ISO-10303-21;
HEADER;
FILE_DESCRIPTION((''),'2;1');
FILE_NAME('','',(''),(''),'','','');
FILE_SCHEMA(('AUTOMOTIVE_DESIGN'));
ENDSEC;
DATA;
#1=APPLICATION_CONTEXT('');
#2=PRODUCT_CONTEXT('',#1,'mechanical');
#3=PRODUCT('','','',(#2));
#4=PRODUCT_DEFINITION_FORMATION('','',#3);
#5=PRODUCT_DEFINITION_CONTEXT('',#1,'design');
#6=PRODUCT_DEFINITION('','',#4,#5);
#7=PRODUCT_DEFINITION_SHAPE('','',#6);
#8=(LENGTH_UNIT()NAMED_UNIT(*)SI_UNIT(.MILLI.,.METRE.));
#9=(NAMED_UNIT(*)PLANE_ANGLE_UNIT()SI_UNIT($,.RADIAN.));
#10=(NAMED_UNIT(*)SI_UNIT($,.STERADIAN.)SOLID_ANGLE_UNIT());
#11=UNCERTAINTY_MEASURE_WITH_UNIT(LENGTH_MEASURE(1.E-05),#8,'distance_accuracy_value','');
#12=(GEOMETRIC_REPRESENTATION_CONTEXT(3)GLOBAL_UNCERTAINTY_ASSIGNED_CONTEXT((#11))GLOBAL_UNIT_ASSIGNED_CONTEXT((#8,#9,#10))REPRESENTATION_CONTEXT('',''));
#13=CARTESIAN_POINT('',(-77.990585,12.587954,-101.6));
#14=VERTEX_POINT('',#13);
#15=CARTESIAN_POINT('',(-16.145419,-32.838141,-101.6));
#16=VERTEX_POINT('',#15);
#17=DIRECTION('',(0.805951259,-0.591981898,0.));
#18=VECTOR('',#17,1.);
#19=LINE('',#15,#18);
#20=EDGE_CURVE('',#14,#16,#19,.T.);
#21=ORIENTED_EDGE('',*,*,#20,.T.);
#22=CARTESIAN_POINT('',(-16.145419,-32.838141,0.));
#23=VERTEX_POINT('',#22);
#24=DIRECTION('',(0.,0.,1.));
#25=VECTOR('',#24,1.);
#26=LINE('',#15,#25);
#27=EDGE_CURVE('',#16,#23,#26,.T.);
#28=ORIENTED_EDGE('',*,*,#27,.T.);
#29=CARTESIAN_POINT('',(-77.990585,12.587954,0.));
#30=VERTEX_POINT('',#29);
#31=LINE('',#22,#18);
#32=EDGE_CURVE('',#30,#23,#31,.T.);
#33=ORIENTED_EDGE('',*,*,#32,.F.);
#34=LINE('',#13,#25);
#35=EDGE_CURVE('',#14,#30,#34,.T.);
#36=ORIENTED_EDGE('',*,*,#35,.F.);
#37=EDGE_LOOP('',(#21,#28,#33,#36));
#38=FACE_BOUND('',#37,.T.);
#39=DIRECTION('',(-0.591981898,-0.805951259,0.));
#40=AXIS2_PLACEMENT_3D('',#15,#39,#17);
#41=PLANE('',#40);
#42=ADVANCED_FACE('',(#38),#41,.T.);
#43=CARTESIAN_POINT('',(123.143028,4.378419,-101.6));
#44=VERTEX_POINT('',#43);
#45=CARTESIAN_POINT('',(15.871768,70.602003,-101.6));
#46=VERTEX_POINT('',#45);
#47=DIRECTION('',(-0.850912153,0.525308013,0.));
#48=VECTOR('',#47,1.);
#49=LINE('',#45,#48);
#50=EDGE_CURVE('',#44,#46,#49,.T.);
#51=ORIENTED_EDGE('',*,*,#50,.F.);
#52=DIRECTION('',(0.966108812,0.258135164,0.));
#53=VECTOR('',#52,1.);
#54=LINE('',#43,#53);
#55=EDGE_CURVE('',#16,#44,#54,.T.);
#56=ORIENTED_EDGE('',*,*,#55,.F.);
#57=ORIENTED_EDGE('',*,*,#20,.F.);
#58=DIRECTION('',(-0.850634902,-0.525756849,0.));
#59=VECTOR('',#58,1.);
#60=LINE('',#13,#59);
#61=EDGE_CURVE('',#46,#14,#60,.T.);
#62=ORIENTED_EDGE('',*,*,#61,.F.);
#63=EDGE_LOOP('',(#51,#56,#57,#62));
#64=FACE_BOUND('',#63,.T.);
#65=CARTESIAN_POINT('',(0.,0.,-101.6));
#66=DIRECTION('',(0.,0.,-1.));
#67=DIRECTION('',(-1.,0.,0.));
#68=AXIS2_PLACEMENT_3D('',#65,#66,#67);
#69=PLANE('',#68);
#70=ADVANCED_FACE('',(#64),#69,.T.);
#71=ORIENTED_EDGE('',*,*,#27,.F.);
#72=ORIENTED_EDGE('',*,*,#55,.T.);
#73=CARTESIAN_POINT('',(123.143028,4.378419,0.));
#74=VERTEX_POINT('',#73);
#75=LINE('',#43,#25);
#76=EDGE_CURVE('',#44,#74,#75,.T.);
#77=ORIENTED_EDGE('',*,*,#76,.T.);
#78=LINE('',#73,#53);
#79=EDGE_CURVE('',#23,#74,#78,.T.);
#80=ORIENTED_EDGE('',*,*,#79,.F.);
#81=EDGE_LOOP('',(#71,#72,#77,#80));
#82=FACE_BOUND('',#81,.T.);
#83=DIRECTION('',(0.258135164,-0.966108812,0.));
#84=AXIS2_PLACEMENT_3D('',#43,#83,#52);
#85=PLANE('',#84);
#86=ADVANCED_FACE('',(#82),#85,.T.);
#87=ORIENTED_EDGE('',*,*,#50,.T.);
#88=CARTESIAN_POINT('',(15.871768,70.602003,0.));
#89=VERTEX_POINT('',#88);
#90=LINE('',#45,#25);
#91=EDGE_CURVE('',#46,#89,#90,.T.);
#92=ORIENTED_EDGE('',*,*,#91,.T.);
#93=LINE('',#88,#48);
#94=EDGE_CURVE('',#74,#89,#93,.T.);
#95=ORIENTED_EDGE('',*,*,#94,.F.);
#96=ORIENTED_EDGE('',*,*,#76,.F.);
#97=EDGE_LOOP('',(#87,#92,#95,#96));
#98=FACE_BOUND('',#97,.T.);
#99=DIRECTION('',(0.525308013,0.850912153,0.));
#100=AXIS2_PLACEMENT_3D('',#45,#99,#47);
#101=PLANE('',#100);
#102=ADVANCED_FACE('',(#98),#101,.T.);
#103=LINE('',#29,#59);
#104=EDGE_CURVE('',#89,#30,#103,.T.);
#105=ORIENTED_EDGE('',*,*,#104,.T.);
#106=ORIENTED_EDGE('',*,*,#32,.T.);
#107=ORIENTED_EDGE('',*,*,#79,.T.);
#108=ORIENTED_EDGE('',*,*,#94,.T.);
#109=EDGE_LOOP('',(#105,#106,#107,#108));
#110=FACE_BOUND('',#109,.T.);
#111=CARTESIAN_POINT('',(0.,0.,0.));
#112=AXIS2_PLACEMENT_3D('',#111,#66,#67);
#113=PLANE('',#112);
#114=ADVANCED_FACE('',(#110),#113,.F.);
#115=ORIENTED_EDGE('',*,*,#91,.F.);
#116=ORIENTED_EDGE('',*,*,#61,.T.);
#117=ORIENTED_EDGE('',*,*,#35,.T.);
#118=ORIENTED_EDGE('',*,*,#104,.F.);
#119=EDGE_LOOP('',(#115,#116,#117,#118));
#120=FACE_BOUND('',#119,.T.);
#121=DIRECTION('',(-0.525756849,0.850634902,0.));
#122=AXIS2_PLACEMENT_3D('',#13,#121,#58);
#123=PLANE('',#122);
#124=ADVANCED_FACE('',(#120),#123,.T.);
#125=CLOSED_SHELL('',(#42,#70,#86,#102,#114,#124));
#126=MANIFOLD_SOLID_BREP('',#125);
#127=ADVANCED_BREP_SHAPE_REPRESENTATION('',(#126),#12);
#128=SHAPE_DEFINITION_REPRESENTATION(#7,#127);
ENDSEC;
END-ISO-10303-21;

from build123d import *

# Parameters (mm, degrees)
BOSS_EXTRUDE1_DEPTH = 101.6


with BuildPart() as part:
    # Sketch1 → Boss-Extrude1 (new body)
    with BuildSketch(Plane.XY):
        Polygon((-77.990584573, 12.587954001), (15.871768089, 70.602002877), (123.143028274, 4.378418783), (-16.145419263, -32.838140873), align=None)
    extrude(amount=-BOSS_EXTRUDE1_DEPTH)


solid = part.part
